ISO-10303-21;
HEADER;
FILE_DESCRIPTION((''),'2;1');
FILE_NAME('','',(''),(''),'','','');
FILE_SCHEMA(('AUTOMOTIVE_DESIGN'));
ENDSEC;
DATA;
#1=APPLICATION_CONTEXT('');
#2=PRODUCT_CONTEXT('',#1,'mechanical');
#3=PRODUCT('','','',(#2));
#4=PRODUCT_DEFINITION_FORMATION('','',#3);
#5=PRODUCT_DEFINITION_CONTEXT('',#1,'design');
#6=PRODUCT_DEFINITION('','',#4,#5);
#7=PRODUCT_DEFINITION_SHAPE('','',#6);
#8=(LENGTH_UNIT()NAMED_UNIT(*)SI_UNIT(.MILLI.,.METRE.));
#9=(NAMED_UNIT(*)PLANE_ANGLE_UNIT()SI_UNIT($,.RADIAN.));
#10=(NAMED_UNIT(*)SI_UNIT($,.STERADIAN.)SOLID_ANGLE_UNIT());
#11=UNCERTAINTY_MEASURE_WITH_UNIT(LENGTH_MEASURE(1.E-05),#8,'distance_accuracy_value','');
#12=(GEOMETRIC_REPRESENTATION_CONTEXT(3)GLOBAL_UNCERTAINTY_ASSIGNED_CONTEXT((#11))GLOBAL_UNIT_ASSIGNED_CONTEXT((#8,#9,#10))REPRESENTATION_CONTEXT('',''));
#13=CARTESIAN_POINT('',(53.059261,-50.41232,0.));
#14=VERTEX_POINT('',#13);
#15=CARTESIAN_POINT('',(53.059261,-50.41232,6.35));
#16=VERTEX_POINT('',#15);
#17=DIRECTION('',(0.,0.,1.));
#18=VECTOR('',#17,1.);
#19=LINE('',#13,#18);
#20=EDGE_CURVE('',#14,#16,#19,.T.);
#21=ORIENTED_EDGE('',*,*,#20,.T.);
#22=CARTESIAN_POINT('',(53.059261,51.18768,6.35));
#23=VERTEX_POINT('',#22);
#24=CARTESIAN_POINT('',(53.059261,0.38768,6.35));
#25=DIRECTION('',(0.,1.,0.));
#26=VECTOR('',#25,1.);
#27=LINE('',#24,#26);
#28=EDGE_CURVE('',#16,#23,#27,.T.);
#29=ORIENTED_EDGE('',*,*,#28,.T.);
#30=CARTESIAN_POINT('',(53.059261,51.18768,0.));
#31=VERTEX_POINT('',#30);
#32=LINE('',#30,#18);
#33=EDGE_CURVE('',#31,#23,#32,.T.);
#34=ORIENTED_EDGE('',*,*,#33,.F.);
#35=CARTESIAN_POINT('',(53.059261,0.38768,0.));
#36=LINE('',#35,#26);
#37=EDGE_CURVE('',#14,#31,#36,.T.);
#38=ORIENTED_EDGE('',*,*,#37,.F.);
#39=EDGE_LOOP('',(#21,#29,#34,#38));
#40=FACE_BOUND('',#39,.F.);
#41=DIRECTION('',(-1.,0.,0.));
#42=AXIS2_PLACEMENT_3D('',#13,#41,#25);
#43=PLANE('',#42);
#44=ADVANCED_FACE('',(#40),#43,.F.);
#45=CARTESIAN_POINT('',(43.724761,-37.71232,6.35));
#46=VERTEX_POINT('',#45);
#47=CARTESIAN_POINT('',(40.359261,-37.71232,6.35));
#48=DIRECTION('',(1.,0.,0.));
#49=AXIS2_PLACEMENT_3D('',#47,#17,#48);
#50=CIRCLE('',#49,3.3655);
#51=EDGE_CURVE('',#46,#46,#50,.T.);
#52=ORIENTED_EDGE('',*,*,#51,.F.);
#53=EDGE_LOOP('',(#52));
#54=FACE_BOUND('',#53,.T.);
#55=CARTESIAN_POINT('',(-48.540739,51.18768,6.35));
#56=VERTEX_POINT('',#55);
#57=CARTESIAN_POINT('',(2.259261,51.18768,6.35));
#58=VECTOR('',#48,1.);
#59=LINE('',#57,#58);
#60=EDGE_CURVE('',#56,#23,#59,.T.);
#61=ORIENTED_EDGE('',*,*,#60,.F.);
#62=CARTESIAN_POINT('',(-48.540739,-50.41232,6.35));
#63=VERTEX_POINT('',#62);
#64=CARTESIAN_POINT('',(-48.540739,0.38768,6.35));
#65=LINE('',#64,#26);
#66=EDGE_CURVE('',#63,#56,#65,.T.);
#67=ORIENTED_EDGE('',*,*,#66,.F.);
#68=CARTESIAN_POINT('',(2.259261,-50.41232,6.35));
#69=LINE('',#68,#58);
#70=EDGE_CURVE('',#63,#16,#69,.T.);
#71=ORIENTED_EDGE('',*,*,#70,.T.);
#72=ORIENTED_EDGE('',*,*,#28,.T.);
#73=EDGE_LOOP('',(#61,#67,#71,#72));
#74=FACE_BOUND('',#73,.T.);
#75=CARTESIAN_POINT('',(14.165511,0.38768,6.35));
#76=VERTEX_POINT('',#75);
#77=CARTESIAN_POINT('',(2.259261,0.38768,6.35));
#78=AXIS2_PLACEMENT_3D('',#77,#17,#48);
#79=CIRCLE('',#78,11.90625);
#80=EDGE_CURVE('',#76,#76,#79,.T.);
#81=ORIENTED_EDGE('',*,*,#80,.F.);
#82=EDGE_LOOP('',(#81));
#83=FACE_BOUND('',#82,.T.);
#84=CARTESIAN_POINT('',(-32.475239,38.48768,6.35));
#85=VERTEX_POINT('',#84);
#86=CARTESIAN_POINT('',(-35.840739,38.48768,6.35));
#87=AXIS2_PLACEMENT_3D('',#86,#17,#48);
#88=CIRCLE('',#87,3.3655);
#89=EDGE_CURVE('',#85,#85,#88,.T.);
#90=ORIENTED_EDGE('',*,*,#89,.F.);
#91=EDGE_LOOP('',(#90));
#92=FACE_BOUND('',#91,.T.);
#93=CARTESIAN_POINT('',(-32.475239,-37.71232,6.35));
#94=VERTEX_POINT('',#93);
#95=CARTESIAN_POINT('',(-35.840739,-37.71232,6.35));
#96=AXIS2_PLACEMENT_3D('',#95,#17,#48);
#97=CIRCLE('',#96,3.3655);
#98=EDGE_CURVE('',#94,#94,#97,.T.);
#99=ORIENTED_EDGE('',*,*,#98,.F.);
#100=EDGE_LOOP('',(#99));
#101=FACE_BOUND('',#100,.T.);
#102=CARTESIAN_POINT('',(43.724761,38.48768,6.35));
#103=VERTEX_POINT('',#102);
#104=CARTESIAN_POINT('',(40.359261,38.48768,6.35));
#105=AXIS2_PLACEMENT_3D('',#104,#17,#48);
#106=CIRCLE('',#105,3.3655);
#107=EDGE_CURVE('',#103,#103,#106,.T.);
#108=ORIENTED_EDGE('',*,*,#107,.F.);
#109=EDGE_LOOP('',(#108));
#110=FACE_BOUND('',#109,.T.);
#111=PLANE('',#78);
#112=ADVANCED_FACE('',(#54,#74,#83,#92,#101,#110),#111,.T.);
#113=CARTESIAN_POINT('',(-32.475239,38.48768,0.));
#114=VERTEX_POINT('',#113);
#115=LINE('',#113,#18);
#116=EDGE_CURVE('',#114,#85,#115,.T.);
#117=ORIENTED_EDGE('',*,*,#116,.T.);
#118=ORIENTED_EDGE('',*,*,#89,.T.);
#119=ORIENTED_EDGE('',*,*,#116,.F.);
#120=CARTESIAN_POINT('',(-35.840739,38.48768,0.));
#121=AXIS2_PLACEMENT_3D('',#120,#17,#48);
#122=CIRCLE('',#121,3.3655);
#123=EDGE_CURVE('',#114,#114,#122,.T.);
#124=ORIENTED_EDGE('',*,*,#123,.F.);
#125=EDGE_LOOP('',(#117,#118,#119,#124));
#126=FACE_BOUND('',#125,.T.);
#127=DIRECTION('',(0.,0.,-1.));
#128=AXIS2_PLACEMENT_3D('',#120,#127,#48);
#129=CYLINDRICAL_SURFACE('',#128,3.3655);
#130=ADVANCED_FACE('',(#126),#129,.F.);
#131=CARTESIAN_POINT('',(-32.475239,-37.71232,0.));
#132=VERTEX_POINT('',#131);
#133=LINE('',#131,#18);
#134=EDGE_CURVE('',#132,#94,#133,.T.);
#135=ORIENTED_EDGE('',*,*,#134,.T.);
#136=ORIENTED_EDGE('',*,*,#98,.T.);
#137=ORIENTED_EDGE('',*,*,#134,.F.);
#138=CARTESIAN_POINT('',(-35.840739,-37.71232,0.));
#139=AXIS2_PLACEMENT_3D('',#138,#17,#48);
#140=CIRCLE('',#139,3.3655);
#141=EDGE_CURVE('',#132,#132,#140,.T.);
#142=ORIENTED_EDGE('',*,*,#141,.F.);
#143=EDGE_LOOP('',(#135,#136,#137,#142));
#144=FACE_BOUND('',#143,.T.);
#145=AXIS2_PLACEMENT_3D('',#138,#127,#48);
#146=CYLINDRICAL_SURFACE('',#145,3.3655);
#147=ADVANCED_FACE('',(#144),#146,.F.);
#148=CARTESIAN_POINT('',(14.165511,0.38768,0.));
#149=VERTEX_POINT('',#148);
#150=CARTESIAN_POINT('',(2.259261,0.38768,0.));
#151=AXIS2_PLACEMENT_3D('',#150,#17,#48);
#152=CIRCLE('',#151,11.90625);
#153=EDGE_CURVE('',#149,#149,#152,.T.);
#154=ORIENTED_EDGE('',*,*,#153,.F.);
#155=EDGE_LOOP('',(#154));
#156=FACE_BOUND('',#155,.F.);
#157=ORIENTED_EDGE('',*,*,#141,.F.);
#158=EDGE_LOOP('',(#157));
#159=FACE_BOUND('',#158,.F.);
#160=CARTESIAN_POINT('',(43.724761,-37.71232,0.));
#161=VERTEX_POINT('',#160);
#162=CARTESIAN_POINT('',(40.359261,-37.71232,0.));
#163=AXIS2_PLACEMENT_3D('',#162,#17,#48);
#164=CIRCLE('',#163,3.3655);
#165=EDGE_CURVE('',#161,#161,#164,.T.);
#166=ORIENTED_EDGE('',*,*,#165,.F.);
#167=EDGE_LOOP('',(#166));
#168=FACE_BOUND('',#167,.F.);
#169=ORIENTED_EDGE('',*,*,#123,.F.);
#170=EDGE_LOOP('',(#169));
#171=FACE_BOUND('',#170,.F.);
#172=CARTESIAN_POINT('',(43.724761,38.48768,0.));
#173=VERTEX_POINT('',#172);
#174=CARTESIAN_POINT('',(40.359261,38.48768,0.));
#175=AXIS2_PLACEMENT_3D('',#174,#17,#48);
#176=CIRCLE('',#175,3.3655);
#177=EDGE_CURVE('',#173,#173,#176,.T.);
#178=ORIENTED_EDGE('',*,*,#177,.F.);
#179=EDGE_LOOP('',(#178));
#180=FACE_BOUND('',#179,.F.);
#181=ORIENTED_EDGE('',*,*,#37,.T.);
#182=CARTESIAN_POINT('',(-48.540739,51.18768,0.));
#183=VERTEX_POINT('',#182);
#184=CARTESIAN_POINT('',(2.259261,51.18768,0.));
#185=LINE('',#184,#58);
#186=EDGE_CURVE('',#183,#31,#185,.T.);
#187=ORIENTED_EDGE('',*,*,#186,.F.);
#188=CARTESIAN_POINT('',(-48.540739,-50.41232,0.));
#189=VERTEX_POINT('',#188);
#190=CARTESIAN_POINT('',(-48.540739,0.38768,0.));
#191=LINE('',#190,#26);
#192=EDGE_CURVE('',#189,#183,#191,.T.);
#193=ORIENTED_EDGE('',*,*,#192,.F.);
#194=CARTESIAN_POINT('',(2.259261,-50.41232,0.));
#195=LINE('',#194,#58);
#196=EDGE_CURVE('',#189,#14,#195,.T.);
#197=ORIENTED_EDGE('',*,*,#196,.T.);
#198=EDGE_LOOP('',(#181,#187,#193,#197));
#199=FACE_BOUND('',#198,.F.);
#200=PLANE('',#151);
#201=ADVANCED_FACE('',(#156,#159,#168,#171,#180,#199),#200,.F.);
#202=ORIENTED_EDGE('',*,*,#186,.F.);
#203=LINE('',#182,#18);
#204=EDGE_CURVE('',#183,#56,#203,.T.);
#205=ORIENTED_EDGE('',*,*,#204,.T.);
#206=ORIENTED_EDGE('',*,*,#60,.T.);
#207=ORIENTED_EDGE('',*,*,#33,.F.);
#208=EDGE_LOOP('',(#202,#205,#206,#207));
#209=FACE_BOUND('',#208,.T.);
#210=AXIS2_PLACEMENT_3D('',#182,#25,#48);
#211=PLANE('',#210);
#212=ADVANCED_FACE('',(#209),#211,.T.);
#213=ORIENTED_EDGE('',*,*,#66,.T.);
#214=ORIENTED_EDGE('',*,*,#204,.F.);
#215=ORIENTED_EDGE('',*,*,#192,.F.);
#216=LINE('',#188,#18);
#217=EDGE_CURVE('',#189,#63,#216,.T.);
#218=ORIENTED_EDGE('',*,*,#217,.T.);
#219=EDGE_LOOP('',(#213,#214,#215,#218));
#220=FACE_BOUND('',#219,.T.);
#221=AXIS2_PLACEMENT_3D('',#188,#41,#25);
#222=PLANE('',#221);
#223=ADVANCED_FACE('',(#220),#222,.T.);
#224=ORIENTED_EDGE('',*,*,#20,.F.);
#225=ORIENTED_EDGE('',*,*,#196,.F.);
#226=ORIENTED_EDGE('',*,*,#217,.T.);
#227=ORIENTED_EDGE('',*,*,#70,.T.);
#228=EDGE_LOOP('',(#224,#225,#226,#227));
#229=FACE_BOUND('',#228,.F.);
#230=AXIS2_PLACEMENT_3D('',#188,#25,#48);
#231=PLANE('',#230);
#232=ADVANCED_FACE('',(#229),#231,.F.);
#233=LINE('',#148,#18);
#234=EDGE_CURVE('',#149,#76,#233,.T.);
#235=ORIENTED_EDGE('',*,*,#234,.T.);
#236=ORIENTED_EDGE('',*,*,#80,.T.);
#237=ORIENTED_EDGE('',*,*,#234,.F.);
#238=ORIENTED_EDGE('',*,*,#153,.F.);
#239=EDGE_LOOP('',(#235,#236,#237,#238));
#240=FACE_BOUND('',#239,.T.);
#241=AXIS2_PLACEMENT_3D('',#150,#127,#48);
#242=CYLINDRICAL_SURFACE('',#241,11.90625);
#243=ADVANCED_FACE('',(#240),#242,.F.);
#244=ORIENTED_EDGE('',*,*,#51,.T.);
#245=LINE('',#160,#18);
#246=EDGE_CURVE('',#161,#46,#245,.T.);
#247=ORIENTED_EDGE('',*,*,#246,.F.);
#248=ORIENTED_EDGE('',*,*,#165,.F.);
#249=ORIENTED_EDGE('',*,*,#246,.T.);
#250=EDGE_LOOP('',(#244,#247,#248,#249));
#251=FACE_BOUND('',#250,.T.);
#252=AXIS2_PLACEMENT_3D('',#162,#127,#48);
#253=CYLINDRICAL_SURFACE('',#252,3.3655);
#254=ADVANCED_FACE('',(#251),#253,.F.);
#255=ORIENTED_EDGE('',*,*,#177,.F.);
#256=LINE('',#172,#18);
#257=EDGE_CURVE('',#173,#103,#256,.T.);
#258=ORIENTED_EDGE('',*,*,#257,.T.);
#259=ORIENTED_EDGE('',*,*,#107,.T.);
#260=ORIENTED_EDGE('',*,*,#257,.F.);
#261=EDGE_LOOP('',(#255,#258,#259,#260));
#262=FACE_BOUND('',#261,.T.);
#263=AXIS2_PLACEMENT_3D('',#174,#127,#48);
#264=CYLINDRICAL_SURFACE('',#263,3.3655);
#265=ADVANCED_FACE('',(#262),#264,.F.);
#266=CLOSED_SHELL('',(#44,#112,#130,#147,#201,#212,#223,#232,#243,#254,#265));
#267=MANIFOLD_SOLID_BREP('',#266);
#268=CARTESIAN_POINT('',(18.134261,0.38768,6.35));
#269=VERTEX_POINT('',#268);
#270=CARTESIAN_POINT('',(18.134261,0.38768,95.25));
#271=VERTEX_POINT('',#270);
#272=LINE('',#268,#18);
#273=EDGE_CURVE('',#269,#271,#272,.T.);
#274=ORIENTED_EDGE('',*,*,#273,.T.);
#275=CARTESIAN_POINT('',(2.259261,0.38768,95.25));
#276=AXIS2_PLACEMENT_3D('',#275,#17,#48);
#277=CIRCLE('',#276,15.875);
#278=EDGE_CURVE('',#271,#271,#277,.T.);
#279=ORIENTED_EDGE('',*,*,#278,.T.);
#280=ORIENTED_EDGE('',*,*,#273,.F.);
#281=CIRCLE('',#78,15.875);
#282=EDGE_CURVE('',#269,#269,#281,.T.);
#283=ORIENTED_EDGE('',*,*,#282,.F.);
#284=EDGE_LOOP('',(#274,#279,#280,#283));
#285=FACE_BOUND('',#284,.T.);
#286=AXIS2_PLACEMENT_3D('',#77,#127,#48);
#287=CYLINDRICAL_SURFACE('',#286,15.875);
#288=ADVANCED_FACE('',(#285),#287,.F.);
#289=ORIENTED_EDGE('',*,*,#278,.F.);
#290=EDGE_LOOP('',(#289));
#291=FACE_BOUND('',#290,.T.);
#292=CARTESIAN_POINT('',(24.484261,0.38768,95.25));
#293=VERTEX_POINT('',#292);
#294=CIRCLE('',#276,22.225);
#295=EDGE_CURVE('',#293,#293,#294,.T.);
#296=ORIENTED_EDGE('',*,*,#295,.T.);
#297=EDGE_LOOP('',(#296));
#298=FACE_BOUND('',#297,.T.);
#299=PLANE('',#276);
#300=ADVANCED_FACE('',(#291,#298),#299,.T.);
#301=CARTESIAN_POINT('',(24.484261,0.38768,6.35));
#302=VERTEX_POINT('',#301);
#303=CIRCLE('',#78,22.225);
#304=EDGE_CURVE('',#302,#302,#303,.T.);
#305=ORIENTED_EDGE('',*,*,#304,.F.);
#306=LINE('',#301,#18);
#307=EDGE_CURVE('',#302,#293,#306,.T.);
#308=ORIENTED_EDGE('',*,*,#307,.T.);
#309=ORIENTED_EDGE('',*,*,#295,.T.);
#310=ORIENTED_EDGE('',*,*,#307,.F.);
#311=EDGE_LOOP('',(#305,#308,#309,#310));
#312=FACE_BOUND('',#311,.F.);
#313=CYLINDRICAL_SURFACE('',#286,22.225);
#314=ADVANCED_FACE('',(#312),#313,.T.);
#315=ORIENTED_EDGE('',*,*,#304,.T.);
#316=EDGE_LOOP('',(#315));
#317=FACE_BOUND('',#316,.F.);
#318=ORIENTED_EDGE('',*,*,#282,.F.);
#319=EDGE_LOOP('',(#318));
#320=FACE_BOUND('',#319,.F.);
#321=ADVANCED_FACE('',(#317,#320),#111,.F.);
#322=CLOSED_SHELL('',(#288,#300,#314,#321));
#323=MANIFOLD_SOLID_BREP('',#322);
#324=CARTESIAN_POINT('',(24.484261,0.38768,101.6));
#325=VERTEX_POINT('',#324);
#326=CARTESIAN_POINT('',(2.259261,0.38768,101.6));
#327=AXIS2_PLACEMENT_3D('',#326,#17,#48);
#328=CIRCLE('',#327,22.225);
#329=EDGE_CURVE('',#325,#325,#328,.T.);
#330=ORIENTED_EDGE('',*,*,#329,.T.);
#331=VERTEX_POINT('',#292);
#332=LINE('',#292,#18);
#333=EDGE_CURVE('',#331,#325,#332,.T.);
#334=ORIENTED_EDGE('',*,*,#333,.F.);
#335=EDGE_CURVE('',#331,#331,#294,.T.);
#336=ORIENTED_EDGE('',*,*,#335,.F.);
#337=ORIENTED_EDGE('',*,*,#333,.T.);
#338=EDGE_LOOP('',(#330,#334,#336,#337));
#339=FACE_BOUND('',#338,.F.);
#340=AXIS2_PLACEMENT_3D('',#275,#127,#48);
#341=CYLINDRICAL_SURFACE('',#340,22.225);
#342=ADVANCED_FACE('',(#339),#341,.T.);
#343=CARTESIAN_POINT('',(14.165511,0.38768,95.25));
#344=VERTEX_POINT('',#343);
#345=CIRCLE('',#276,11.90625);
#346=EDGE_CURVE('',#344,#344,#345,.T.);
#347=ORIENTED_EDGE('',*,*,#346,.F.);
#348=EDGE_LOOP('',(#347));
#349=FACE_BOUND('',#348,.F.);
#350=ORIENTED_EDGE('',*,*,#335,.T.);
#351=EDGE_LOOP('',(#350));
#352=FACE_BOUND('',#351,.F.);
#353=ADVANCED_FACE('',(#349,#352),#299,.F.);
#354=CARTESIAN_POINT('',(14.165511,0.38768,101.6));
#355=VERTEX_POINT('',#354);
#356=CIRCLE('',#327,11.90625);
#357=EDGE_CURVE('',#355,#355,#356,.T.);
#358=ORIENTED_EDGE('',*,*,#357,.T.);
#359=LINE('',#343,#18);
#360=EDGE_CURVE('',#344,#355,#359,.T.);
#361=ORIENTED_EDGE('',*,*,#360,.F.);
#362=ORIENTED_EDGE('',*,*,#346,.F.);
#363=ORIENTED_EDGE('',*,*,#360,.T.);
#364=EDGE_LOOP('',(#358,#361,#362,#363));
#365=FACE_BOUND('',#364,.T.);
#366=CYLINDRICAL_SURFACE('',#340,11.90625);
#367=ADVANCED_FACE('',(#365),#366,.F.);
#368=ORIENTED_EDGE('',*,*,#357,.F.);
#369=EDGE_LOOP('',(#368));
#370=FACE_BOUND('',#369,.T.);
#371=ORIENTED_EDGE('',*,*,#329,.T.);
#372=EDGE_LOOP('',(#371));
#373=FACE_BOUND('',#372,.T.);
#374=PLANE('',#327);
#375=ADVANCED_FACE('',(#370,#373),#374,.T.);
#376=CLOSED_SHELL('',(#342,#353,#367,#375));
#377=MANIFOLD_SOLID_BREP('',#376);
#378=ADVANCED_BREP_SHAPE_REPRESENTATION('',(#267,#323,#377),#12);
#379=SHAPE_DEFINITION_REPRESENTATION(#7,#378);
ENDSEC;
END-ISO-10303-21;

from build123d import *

# Parameters (mm, degrees)
F0_W     = 101.6
F0_H     = 101.6
F0_R     = 3.3655
F0_R_2   = 11.90625
F1_DEPTH = 6.35
F2_R     = 22.225
F2_R_2   = 15.875
F3_DEPTH = 88.9
F4_R     = 22.225
F4_R_2   = 11.90625
F5_DEPTH = 6.35


with BuildPart() as f1:
    # F0 (on Top) → F1 (new body)
    with BuildSketch(Plane.XY):
        with Locations((2.259261, 0.38768)):
            Rectangle(F0_W, F0_H)
        with Locations((-35.840739, -37.71232)):
            Circle(F0_R, mode=Mode.SUBTRACT)
        with Locations((40.359261, -37.71232)):
            Circle(F0_R, mode=Mode.SUBTRACT)
        with Locations((-35.840739, 38.48768)):
            Circle(F0_R, mode=Mode.SUBTRACT)
        with Locations((2.259261, 0.38768)):
            Circle(F0_R_2, mode=Mode.SUBTRACT)
        with Locations((40.359261, 38.48768)):
            Circle(F0_R, mode=Mode.SUBTRACT)
    extrude(amount=F1_DEPTH)


with BuildPart() as f3:
    # F2 (on face) → F3 (new body)
    with BuildSketch(Plane.XY.offset(6.35)):
        with Locations((2.259261, 0.38768)):
            Circle(F2_R)
        with Locations((2.259261, 0.38768)):
            Circle(F2_R_2, mode=Mode.SUBTRACT)
    extrude(amount=F3_DEPTH)


with BuildPart() as f5:
    # F4 (on face) → F5 (new body)
    with BuildSketch(Plane.XY.offset(95.25)):
        with Locations((2.259261, 0.38768)):
            Circle(F4_R)
        with Locations((2.259261, 0.38768)):
            Circle(F4_R_2, mode=Mode.SUBTRACT)
    extrude(amount=F5_DEPTH)


solid = Compound([f1.part, f3.part, f5.part])
